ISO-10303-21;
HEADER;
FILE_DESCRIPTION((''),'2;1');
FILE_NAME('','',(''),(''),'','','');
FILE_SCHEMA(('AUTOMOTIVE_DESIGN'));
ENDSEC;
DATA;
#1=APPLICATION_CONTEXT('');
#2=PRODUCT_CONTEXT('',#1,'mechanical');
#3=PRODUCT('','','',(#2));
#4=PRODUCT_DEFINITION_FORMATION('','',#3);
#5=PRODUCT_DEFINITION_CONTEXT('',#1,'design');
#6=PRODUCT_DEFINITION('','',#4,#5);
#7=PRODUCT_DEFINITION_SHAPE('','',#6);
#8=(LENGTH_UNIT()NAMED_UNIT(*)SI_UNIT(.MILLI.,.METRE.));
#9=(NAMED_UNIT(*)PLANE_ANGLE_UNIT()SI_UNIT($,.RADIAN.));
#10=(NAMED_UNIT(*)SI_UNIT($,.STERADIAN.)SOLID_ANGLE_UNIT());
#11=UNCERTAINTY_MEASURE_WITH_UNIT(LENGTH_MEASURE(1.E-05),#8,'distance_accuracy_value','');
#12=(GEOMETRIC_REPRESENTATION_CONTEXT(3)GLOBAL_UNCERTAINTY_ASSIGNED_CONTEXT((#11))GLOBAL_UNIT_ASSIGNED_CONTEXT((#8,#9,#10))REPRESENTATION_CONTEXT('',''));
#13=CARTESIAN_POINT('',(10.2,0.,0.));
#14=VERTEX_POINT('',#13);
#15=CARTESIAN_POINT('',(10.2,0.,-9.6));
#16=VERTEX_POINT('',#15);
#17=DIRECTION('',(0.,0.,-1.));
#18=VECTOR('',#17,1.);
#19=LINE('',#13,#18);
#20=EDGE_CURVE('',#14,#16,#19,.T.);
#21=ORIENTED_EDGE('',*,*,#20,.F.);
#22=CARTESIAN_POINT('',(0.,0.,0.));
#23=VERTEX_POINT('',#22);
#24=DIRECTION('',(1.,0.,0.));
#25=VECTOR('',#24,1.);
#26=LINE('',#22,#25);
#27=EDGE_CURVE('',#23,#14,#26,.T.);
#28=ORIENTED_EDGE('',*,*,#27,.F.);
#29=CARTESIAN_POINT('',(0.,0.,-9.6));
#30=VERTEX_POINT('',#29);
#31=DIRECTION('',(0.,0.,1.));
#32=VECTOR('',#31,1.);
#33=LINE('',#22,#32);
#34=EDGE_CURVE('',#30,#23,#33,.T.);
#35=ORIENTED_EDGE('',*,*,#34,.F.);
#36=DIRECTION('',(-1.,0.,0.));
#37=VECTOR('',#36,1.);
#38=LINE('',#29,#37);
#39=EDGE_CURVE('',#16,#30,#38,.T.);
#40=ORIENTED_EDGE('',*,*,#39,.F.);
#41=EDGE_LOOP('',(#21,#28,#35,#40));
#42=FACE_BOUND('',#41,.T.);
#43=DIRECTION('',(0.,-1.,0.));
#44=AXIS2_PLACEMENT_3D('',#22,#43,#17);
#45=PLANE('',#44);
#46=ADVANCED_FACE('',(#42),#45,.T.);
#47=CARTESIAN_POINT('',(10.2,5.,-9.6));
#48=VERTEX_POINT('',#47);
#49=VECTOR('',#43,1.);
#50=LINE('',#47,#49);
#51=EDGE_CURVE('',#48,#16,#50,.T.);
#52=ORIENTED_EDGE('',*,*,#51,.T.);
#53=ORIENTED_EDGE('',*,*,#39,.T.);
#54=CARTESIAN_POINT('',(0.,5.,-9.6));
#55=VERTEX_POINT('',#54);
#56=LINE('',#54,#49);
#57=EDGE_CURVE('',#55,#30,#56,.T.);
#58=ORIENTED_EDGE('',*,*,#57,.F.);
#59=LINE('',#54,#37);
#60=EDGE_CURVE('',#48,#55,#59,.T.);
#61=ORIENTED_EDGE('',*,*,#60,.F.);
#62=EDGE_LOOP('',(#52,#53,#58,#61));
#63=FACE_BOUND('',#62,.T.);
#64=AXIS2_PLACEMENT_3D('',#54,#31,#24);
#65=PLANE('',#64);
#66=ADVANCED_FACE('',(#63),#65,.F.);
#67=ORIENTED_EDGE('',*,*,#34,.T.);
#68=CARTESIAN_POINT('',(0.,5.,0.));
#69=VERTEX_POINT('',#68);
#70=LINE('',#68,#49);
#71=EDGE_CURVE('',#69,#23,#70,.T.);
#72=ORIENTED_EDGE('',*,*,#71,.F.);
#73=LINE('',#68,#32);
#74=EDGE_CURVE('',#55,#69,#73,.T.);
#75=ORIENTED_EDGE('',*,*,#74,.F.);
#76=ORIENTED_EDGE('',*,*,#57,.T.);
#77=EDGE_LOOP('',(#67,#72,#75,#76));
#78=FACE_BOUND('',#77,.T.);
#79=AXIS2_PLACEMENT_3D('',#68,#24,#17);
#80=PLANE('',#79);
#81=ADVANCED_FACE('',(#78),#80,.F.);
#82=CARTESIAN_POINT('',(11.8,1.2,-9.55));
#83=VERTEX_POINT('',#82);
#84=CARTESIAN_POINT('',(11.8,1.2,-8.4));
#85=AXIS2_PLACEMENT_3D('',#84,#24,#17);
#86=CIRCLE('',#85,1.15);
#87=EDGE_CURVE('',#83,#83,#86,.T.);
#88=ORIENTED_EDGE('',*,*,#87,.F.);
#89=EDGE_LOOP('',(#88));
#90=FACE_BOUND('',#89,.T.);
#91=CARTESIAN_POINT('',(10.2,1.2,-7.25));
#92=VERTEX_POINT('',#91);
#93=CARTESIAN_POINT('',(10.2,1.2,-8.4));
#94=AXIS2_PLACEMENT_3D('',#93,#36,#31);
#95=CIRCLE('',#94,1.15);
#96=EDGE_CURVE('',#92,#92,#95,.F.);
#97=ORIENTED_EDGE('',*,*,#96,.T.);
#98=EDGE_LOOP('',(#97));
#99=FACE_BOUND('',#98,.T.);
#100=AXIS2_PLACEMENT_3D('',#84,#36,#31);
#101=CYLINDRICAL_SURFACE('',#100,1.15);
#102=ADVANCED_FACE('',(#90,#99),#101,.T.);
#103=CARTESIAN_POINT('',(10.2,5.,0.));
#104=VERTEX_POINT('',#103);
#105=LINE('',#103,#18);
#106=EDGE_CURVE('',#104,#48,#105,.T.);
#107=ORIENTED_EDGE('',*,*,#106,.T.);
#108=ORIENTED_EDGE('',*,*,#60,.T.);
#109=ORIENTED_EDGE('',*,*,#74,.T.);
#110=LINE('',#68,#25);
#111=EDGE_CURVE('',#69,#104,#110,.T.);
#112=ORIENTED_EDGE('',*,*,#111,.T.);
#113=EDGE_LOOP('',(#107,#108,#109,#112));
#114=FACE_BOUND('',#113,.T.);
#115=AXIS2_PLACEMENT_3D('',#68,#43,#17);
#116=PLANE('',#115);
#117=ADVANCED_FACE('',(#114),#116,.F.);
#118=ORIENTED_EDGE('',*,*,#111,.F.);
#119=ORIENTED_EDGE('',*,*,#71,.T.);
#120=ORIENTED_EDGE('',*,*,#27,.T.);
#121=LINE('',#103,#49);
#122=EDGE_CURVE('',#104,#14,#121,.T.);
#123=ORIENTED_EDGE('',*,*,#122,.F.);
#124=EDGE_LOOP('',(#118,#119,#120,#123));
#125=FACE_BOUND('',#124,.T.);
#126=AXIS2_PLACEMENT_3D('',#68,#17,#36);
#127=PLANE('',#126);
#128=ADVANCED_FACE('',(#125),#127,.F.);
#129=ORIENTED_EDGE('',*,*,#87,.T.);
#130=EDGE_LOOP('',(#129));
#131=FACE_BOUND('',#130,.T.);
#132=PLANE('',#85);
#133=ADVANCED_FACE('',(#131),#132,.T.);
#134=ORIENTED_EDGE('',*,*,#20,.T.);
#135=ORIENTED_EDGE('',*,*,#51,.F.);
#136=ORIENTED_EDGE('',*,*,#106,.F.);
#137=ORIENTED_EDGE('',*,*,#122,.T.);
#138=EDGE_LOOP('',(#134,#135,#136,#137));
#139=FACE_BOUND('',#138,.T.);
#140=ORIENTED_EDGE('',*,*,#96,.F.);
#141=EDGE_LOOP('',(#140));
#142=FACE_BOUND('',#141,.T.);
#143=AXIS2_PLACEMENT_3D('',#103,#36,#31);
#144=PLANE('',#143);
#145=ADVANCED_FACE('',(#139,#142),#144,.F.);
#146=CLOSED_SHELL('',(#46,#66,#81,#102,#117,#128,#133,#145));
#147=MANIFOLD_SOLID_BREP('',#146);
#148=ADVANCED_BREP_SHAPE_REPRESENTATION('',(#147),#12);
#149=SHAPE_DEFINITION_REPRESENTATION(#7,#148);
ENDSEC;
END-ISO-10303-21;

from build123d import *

# Parameters (mm, degrees)
SKETCH1_W           = 10.2
SKETCH1_H           = 9.6
BOSS_EXTRUDE1_DEPTH = 5
SKETCH2_R           = 1.15
BOSS_EXTRUDE2_DEPTH = 1.6


with BuildPart() as part:
    # Sketch1 → Boss-Extrude1 (new body)
    with BuildSketch(Plane(origin=(0, 0, 0), x_dir=(1, 0, 0), z_dir=(0, 1, 0))):
        with Locations((5.1, 4.8)):
            Rectangle(SKETCH1_W, SKETCH1_H)
    extrude(amount=BOSS_EXTRUDE1_DEPTH)

    # Sketch2 → Boss-Extrude2 (add)
    with BuildSketch(Plane(origin=(10.2, 0, 0), x_dir=(0, 0, -1), z_dir=(1, 0, 0))):
        with Locations((8.4, 1.2)):
            Circle(SKETCH2_R)
    extrude(amount=BOSS_EXTRUDE2_DEPTH)


solid = part.part
